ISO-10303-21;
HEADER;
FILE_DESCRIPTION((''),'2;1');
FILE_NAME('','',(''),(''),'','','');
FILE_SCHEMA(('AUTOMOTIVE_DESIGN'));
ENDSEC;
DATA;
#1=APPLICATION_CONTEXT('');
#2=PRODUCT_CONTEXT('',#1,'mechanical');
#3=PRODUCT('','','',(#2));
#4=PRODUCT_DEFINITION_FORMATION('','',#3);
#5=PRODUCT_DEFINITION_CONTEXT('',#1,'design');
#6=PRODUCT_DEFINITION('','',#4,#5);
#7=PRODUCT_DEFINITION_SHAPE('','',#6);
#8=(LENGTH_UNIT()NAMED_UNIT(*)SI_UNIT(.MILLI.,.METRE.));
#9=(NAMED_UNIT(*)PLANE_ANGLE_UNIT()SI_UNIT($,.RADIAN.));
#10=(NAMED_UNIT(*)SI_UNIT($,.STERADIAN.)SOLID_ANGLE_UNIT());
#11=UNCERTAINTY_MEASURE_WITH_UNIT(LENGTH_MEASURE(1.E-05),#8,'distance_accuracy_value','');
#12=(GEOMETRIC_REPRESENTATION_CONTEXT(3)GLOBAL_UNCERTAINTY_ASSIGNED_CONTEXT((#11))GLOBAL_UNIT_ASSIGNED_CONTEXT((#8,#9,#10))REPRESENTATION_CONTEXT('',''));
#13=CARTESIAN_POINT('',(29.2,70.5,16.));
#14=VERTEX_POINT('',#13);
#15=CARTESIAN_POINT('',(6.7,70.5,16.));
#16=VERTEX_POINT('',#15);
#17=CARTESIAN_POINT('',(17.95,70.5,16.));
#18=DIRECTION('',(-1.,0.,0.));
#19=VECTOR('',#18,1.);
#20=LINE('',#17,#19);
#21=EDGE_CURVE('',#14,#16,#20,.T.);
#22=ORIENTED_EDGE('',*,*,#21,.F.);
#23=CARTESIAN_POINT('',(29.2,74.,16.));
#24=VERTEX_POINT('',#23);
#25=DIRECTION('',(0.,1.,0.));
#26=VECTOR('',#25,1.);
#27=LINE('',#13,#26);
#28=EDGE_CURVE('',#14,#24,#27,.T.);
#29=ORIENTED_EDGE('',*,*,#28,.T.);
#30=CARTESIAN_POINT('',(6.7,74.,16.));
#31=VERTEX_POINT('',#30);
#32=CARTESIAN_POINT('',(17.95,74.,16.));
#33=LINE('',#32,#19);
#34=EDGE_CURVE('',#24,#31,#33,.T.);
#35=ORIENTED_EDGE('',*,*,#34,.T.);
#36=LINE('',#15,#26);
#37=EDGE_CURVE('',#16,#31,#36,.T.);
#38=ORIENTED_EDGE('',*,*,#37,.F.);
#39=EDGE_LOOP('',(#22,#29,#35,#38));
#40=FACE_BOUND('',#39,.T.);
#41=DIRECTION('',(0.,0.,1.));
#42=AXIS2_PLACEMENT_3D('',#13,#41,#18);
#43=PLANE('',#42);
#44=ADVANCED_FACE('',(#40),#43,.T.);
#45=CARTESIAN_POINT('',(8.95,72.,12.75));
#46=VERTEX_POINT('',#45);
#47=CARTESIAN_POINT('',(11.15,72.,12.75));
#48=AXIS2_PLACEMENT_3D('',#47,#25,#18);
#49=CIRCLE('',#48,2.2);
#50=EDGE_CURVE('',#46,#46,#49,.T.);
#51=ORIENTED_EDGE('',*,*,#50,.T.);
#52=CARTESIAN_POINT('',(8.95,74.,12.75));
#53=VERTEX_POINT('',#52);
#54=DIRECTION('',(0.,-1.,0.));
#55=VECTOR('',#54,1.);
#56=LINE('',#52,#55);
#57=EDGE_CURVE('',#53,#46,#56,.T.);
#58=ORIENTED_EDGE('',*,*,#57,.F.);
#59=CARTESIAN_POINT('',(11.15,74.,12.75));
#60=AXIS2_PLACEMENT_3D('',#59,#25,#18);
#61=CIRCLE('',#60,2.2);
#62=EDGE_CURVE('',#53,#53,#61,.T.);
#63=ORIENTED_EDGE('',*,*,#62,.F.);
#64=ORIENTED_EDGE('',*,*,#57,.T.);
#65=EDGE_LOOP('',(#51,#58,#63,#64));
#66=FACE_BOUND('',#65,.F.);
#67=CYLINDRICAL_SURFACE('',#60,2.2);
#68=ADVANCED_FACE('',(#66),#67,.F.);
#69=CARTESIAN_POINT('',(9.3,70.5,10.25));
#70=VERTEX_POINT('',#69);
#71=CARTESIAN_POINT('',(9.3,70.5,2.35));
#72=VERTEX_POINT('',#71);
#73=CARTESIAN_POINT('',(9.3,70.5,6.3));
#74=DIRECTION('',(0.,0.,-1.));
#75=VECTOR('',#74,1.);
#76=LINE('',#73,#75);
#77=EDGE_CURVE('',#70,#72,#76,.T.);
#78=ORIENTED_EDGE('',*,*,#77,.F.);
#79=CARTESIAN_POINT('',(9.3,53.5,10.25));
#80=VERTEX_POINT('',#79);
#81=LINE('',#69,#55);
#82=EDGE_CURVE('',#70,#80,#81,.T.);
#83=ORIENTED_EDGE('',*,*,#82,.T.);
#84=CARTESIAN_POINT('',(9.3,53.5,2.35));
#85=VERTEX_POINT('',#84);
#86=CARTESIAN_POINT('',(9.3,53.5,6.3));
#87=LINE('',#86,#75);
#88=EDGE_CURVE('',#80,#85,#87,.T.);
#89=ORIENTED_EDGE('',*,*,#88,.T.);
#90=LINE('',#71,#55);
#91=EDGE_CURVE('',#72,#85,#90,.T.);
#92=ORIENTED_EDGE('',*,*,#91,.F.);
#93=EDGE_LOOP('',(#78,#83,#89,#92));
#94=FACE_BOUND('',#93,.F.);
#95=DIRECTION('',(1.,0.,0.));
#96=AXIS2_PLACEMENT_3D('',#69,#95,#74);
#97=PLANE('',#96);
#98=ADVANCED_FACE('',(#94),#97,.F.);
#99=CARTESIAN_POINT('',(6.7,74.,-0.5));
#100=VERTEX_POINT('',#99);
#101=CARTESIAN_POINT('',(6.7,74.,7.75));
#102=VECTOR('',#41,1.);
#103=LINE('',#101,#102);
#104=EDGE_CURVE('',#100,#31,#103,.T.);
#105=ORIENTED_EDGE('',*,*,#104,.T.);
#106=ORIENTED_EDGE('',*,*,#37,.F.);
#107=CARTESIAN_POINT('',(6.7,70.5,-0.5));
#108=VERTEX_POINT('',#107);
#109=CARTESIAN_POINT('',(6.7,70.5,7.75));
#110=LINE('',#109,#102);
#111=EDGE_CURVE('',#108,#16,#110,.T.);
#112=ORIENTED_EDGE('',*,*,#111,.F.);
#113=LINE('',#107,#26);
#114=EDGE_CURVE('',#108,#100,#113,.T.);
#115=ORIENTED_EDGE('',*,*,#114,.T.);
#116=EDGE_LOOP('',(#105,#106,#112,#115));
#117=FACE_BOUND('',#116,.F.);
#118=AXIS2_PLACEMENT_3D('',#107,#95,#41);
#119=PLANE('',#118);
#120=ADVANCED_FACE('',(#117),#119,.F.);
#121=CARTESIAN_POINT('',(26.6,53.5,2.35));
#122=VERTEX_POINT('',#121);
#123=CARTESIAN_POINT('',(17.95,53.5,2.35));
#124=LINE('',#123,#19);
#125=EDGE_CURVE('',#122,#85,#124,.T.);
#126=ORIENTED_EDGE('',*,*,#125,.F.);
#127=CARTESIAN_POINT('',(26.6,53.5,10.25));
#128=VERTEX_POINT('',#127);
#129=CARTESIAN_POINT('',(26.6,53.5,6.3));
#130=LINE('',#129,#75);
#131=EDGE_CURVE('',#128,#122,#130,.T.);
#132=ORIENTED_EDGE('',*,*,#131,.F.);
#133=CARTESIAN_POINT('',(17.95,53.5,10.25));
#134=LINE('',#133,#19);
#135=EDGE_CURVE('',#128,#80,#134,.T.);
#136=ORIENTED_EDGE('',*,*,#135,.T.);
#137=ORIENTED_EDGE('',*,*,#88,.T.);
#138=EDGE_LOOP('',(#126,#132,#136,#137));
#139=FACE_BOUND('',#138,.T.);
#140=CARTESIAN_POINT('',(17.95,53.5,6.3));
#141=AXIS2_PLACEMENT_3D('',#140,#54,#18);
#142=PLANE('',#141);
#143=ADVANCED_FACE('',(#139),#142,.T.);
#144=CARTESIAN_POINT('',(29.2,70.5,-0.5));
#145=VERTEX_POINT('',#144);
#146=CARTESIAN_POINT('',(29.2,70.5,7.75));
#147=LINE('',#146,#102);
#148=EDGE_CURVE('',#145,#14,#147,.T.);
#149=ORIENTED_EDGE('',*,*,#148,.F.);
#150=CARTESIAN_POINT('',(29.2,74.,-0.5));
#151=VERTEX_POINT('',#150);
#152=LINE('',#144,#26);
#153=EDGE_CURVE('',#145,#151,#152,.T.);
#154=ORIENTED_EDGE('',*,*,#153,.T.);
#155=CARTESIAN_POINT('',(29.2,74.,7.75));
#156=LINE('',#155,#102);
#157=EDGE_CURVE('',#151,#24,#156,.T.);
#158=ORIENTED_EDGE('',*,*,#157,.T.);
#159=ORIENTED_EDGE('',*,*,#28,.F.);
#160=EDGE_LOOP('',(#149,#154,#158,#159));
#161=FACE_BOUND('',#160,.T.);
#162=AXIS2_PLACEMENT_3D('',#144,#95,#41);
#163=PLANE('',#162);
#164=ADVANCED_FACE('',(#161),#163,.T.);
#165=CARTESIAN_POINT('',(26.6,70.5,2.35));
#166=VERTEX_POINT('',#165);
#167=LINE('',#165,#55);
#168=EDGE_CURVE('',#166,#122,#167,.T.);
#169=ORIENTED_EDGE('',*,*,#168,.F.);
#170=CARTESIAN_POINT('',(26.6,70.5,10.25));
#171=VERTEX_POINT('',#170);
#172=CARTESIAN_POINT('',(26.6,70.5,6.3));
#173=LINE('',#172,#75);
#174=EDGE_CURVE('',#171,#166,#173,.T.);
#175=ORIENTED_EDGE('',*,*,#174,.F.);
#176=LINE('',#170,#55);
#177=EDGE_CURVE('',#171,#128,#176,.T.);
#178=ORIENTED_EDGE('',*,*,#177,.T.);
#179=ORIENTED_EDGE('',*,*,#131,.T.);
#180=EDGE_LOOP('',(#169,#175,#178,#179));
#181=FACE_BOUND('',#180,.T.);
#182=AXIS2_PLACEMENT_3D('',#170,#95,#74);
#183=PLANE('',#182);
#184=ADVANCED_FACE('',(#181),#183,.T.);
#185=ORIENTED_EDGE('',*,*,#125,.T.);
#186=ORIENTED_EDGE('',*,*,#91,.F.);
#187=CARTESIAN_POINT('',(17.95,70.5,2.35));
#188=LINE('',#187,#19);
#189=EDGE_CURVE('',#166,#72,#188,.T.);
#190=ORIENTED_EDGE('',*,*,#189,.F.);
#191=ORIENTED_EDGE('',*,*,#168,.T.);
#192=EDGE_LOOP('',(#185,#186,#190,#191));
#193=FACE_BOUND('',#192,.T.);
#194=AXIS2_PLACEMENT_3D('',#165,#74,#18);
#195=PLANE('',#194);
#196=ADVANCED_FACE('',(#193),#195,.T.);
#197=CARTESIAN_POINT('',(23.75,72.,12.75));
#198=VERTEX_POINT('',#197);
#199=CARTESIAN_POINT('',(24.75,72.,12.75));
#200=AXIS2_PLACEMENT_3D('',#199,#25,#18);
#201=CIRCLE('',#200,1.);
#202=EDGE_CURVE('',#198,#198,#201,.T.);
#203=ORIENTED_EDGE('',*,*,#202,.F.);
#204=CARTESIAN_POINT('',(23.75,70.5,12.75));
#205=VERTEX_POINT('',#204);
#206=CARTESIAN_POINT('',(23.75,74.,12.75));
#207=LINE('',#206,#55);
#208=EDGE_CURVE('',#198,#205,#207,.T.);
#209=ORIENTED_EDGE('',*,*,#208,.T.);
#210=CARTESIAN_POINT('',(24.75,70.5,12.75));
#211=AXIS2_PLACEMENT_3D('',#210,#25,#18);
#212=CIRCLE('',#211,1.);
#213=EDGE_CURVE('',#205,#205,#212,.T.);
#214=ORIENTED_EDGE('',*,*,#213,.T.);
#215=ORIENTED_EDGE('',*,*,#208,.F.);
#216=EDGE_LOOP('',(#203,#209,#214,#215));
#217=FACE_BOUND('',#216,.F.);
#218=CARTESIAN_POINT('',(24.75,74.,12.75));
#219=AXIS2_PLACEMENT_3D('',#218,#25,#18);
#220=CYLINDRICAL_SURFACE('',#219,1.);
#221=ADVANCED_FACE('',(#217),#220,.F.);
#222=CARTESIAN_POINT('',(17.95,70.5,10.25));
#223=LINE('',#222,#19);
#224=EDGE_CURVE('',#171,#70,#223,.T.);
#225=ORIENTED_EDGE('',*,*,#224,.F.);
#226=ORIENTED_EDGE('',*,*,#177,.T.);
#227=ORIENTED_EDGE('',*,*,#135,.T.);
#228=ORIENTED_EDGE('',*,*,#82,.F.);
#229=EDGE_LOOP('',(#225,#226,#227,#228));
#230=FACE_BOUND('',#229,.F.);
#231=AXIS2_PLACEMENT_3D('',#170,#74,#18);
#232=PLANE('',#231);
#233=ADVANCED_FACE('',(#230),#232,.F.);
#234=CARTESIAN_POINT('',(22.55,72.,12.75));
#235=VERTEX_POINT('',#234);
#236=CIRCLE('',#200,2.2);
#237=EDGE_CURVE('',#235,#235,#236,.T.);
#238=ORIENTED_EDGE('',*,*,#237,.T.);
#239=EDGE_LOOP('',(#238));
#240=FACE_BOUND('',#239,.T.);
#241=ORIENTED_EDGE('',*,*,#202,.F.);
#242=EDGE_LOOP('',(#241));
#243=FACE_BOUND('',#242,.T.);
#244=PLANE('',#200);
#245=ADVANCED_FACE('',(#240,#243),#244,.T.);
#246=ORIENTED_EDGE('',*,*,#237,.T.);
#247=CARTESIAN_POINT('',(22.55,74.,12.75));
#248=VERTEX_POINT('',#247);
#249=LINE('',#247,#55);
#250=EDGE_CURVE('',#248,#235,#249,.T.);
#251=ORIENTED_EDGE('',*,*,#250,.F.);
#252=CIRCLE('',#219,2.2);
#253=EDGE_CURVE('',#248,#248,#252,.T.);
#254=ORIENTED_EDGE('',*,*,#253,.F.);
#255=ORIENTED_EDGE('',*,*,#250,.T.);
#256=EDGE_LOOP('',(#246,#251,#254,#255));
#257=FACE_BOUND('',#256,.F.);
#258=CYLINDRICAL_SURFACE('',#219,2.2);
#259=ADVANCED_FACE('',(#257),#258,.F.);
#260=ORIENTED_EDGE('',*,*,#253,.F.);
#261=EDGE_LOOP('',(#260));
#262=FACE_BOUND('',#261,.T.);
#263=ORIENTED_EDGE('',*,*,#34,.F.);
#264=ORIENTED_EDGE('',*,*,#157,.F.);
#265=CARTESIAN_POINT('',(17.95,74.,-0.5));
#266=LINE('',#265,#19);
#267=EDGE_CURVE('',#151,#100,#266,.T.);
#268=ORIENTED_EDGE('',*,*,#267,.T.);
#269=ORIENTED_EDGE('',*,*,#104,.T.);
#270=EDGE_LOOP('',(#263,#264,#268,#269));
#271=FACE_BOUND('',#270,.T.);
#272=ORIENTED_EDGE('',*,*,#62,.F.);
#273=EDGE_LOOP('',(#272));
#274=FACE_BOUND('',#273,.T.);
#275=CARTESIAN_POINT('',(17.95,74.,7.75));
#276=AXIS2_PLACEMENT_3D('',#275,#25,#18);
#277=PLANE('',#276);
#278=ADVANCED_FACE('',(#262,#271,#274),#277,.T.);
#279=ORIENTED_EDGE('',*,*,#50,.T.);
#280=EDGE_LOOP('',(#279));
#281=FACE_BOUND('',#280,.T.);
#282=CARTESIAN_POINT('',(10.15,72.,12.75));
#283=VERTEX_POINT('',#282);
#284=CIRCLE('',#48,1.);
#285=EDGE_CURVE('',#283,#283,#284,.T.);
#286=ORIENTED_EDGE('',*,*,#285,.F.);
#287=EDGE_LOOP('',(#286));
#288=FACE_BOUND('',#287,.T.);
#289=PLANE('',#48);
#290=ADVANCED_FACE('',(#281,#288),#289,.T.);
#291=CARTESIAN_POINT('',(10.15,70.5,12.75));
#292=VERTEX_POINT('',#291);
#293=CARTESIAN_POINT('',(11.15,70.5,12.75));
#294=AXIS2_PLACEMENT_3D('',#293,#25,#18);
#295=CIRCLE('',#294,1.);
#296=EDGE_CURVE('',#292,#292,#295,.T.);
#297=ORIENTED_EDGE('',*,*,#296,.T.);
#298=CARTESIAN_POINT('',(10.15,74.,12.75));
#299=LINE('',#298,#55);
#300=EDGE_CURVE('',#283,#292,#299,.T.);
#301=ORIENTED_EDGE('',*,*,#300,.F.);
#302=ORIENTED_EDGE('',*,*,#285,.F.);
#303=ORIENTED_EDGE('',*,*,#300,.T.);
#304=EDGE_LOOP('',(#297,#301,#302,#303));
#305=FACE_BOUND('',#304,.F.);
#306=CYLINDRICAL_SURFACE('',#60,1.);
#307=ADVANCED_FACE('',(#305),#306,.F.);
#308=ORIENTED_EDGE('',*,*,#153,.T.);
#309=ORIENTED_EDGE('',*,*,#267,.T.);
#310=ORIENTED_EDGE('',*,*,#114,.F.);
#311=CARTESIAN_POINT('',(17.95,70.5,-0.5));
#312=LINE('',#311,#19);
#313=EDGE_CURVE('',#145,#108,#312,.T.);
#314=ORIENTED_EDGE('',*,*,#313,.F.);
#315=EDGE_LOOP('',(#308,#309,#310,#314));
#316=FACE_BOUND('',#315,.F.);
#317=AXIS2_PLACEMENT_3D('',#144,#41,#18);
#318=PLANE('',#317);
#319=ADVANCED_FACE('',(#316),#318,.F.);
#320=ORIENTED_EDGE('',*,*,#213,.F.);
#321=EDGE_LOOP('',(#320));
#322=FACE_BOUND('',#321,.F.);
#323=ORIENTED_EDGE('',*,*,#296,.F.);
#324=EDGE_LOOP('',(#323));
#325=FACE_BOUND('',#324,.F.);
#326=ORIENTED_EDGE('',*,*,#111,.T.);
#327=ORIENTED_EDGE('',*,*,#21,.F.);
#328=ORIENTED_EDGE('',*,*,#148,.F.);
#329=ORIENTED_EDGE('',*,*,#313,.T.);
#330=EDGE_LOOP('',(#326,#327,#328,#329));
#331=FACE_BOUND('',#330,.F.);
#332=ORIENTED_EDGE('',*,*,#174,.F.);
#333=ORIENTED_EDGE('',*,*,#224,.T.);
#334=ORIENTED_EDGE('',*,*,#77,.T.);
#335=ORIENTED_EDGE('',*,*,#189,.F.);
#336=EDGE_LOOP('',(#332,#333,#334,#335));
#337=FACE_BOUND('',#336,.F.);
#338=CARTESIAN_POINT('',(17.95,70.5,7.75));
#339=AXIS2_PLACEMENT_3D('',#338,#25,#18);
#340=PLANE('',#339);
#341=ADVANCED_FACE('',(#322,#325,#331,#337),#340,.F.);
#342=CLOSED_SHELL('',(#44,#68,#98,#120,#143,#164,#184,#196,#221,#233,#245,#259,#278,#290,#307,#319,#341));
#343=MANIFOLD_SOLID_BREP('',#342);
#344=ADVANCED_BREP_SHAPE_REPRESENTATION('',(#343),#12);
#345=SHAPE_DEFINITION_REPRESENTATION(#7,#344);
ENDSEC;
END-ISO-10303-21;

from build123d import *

# Parameters (mm, degrees)
SKETCH025_W             = 22.5
SKETCH025_H             = 16.5
PAD012_DEPTH            = 3.5
SKETCH026_R             = 2.2
POCKET009_DEPTH         = 2
SKETCH027_R             = 1
POCKET010_DEPTH         = 3.501
SKETCH028_W             = 17.3
SKETCH028_H             = 7.9
PAD013_DEPTH            = 17
BODY003_PLACEMENT_ANGLE = 180


with BuildPart() as part:
    # Sketch025 → Pad012 (new body)
    with BuildSketch(Plane.XZ):
        with Locations((11.25, 8.25)):
            Rectangle(SKETCH025_W, SKETCH025_H)
    extrude(amount=PAD012_DEPTH)

    # Sketch026 (on Face6 of Pad012) → Pocket009 (cut)
    with BuildSketch(Plane.XZ.offset(3.5)):
        with Locations((4.45, 13.25)):
            Circle(SKETCH026_R)
        with Locations((18.05, 13.25)):
            Circle(SKETCH026_R)
    extrude(amount=-POCKET009_DEPTH, mode=Mode.SUBTRACT)

    # Sketch027 (on Face5 of Pocket009) → Pocket010 (cut, through all)
    with BuildSketch(Plane.XZ.offset(3.5)):
        with Locations((4.45, 13.25)):
            Circle(SKETCH027_R)
        with Locations((18.05, 13.25)):
            Circle(SKETCH027_R)
    extrude(amount=-POCKET010_DEPTH, mode=Mode.SUBTRACT)

    # Sketch028 (on Face4 of Pocket010) → Pad013 (join)
    with BuildSketch(Plane(origin=(0, 0, 0), x_dir=(1, 0, 0), z_dir=(0, 1, 0))):
        with Locations((11.25, -6.8)):
            Rectangle(SKETCH028_W, SKETCH028_H)
    extrude(amount=PAD013_DEPTH)


with BuildPart() as part_1:
    # Body003 placement: moved
    add(part.part.moved(Location((29.2, 70.5, -0.5))).rotate(Axis((29.2, 70.5, -0.5), (0, 0, 1)), BODY003_PLACEMENT_ANGLE))


solid = part_1.part
